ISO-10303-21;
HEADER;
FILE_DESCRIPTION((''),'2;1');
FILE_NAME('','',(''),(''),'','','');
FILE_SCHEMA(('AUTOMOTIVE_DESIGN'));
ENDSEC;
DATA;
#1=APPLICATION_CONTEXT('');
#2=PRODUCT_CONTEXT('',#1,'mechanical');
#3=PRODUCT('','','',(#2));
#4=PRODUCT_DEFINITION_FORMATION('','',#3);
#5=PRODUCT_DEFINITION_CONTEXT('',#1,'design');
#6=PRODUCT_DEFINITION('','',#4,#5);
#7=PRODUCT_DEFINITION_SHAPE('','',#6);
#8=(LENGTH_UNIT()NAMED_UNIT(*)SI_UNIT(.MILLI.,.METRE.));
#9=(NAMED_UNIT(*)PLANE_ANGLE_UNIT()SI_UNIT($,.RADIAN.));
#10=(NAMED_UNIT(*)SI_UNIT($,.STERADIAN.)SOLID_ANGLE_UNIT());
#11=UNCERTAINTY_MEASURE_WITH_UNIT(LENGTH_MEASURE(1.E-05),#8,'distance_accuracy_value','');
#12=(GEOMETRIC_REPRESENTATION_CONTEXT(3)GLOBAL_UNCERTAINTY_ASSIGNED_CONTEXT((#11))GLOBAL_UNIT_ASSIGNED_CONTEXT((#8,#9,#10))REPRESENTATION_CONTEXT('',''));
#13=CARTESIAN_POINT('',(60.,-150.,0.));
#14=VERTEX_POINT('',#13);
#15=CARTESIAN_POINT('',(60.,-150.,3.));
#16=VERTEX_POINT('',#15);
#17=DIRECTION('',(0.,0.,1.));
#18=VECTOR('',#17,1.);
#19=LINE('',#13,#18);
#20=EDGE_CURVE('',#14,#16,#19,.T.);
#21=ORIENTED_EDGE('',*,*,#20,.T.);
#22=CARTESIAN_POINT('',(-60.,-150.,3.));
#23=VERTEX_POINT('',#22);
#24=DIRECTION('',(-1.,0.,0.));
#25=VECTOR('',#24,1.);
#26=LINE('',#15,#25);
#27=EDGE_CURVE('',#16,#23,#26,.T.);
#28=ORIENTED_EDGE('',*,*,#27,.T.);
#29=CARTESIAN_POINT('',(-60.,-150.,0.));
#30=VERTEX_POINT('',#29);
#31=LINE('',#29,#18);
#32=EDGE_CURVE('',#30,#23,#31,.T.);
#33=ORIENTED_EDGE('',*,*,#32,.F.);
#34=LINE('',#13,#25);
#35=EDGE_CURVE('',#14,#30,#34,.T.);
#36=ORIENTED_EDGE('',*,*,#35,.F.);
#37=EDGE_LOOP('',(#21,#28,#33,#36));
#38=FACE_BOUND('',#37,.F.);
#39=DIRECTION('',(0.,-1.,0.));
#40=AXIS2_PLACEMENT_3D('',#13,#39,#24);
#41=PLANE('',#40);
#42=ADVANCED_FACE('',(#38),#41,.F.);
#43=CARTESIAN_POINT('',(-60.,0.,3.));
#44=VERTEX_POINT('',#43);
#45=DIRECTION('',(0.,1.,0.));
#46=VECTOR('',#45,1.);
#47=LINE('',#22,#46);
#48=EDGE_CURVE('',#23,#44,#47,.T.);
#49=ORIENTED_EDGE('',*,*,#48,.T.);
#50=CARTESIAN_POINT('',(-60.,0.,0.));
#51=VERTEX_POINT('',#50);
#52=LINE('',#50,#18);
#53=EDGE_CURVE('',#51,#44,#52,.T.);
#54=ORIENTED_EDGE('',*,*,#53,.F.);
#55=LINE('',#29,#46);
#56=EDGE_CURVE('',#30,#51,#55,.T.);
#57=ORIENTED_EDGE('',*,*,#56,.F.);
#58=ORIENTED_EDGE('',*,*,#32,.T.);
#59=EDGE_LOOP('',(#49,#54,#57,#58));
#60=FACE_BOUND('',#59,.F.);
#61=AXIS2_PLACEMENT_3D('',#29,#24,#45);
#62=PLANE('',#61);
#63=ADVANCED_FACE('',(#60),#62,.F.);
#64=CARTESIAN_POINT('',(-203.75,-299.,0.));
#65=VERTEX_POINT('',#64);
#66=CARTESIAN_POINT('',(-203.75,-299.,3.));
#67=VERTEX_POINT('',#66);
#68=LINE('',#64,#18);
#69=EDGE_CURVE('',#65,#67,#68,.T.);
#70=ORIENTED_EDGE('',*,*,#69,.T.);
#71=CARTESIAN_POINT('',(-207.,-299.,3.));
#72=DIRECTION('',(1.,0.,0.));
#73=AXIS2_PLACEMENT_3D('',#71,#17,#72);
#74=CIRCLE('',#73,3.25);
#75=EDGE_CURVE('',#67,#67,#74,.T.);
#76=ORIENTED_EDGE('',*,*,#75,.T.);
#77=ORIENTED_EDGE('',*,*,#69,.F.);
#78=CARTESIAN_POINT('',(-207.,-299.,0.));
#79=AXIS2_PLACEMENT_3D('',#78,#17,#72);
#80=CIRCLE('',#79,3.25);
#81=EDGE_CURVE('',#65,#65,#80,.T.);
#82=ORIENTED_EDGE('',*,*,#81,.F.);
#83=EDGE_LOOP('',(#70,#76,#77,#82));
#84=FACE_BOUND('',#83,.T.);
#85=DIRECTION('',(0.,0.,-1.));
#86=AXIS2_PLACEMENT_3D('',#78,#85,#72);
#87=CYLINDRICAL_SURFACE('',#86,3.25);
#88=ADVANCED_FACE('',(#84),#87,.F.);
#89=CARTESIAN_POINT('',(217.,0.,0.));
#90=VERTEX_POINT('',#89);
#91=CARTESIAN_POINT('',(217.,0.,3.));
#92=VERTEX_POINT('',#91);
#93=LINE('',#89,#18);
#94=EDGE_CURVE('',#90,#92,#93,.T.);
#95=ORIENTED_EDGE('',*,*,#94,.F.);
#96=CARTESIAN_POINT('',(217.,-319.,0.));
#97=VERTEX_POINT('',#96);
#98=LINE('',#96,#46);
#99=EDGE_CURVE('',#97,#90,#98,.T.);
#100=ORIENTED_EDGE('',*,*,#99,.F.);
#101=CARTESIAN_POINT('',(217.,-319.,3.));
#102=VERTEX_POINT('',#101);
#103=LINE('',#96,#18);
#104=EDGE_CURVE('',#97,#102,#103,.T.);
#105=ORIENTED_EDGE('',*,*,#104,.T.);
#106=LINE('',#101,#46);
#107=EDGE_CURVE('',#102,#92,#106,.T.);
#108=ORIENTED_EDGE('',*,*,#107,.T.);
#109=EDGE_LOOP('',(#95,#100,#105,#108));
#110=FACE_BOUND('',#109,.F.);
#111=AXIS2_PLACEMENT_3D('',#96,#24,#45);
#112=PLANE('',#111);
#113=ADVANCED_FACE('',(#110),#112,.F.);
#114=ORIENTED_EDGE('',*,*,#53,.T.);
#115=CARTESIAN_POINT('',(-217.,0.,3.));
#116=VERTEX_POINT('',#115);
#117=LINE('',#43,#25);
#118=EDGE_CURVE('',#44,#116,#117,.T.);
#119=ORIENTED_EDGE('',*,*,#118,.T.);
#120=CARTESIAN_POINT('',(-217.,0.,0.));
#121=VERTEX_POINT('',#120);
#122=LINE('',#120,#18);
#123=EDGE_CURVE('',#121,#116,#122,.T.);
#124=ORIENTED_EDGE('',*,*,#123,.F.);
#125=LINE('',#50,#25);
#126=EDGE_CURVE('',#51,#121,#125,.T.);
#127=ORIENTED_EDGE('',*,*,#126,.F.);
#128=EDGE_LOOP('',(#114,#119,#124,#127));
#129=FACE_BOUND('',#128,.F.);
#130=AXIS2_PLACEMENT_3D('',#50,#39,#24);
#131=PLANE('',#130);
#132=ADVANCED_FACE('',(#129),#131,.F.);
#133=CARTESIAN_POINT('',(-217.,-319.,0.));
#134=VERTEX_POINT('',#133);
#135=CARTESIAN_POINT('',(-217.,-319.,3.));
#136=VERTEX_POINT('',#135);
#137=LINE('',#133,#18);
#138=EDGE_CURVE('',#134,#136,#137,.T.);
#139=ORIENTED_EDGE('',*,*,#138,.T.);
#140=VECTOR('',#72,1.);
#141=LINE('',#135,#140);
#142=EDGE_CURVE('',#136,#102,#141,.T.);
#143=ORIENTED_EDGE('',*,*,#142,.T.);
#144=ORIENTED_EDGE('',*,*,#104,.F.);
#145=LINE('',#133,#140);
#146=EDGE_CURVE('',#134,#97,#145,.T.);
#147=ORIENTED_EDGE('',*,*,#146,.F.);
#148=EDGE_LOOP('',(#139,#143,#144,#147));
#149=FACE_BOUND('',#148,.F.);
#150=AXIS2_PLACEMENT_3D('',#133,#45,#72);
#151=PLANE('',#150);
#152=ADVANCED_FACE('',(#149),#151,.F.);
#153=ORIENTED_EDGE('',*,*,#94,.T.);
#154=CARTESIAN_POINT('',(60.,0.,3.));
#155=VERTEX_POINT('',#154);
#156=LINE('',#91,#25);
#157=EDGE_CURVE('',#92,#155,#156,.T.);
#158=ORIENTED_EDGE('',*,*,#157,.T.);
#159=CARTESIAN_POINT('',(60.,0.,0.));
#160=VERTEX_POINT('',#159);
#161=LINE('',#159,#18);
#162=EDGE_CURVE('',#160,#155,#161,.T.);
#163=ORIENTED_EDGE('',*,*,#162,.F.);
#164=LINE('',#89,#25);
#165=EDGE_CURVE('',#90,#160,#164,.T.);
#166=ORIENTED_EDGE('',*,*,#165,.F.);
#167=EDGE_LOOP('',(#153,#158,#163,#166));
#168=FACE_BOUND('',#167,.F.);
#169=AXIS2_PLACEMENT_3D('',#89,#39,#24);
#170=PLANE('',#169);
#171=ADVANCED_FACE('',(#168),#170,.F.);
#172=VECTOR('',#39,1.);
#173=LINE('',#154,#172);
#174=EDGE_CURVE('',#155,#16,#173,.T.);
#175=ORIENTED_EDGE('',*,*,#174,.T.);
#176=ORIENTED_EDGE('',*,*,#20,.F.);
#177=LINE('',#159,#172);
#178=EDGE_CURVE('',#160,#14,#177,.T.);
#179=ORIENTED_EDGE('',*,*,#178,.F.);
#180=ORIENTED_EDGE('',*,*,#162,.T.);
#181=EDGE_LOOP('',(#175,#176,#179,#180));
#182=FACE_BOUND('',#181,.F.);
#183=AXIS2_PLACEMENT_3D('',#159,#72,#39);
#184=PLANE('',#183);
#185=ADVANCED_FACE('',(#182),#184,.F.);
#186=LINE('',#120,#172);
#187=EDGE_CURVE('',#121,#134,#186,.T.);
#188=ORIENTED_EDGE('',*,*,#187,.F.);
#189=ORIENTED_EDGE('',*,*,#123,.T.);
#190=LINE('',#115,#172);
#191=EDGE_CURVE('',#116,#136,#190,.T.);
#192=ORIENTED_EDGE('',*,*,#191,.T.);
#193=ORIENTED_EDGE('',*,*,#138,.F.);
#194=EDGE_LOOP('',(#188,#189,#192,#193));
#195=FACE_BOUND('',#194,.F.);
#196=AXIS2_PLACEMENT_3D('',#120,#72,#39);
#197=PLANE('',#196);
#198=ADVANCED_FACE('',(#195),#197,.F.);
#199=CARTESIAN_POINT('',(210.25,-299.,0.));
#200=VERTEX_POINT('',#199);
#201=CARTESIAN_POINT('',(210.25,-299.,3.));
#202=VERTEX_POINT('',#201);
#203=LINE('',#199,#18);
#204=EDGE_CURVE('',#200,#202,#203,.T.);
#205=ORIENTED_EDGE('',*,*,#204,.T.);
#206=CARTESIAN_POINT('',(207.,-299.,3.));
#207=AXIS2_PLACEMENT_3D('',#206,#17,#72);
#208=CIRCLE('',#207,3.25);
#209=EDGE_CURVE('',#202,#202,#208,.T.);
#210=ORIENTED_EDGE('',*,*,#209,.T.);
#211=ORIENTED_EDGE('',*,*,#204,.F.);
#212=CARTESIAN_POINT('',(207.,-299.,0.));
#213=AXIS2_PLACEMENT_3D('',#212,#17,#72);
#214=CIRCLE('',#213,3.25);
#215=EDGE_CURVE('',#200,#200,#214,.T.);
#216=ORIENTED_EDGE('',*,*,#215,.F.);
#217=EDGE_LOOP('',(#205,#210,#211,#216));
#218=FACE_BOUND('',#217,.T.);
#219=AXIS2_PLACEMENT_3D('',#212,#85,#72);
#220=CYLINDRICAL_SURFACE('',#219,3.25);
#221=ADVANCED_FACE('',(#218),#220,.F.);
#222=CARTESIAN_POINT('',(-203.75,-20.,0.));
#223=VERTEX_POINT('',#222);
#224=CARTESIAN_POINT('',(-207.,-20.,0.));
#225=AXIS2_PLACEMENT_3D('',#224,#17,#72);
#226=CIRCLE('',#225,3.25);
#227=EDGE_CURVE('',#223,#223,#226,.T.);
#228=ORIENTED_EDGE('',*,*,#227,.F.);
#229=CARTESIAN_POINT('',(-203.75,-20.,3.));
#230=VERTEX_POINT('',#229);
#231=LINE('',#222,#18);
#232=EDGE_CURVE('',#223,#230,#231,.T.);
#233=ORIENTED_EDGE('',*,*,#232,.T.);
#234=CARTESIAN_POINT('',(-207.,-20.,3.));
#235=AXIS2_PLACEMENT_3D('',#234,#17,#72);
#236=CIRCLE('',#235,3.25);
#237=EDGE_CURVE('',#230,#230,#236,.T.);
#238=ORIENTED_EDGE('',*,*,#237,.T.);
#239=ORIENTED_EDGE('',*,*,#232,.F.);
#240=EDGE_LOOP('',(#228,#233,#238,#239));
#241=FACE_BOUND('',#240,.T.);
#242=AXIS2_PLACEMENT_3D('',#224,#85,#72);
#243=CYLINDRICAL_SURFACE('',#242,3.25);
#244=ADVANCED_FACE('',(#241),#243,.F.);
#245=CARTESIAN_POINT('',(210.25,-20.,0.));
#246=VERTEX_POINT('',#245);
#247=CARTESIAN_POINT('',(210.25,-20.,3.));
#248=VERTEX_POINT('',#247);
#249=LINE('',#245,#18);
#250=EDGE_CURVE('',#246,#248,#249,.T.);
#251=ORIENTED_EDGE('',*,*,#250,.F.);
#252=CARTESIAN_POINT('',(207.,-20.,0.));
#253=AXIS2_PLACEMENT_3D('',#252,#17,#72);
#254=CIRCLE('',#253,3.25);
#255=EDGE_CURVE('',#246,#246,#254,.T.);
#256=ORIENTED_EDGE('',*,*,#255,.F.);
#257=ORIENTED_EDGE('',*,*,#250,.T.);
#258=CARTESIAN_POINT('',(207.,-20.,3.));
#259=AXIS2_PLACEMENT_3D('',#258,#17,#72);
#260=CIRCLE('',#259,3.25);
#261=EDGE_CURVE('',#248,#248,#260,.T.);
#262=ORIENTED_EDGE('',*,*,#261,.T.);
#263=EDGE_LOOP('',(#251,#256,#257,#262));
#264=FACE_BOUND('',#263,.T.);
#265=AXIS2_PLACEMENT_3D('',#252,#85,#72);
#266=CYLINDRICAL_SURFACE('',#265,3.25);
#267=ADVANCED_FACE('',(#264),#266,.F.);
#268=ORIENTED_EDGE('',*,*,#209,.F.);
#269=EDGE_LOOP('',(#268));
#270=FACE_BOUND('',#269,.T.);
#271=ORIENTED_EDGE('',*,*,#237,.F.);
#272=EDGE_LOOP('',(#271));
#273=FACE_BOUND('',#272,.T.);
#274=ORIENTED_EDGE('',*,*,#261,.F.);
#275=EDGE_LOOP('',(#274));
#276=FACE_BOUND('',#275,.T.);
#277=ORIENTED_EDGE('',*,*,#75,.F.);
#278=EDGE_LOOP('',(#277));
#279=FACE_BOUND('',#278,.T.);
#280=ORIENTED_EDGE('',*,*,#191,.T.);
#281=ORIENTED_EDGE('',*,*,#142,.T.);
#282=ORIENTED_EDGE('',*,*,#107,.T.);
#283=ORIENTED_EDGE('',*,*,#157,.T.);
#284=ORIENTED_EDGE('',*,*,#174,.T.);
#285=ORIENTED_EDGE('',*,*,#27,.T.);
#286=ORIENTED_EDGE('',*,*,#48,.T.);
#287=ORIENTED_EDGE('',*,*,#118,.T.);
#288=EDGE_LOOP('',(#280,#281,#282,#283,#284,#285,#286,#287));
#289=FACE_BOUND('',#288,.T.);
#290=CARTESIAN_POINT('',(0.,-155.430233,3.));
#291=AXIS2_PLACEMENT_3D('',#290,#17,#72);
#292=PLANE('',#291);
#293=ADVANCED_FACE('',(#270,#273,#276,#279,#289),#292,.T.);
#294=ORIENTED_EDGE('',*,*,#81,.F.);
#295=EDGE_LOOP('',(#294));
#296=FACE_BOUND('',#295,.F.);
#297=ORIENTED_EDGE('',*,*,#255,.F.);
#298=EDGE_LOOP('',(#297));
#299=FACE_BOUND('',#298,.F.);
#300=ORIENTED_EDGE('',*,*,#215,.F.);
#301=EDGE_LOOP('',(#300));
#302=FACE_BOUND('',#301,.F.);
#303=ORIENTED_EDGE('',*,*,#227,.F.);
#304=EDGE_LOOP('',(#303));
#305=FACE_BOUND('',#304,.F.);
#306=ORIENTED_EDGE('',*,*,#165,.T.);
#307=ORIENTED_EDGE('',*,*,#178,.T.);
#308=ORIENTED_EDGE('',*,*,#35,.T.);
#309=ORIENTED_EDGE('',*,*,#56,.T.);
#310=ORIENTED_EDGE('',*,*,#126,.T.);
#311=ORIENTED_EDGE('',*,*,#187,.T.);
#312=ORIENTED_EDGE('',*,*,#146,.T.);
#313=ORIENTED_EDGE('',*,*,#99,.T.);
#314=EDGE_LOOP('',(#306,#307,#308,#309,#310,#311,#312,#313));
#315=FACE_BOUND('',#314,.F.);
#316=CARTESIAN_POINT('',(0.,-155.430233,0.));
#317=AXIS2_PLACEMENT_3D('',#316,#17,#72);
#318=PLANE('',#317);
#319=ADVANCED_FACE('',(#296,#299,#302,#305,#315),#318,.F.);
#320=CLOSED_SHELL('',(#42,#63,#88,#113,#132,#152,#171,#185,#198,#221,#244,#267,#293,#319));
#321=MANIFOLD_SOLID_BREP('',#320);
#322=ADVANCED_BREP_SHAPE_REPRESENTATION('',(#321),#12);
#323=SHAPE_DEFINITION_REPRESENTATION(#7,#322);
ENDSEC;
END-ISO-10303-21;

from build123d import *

# Parameters (mm, degrees)
F0_R     = 3.25
F1_DEPTH = 3


with BuildPart() as f1:
    # F0 (on Top) → F1 (new body)
    with BuildSketch(Plane.XY):
        Polygon((-60, 0), (-217, 0), (-217, -319), (217, -319), (217, 0), (60, 0), (60, -150), (-60, -150), align=None)
        with Locations((-207, -299)):
            Circle(F0_R, mode=Mode.SUBTRACT)
        with Locations((207, -299)):
            Circle(F0_R, mode=Mode.SUBTRACT)
        with Locations((-207, -20)):
            Circle(F0_R, mode=Mode.SUBTRACT)
        with Locations((207, -20)):
            Circle(F0_R, mode=Mode.SUBTRACT)
    extrude(amount=F1_DEPTH)


solid = f1.part
